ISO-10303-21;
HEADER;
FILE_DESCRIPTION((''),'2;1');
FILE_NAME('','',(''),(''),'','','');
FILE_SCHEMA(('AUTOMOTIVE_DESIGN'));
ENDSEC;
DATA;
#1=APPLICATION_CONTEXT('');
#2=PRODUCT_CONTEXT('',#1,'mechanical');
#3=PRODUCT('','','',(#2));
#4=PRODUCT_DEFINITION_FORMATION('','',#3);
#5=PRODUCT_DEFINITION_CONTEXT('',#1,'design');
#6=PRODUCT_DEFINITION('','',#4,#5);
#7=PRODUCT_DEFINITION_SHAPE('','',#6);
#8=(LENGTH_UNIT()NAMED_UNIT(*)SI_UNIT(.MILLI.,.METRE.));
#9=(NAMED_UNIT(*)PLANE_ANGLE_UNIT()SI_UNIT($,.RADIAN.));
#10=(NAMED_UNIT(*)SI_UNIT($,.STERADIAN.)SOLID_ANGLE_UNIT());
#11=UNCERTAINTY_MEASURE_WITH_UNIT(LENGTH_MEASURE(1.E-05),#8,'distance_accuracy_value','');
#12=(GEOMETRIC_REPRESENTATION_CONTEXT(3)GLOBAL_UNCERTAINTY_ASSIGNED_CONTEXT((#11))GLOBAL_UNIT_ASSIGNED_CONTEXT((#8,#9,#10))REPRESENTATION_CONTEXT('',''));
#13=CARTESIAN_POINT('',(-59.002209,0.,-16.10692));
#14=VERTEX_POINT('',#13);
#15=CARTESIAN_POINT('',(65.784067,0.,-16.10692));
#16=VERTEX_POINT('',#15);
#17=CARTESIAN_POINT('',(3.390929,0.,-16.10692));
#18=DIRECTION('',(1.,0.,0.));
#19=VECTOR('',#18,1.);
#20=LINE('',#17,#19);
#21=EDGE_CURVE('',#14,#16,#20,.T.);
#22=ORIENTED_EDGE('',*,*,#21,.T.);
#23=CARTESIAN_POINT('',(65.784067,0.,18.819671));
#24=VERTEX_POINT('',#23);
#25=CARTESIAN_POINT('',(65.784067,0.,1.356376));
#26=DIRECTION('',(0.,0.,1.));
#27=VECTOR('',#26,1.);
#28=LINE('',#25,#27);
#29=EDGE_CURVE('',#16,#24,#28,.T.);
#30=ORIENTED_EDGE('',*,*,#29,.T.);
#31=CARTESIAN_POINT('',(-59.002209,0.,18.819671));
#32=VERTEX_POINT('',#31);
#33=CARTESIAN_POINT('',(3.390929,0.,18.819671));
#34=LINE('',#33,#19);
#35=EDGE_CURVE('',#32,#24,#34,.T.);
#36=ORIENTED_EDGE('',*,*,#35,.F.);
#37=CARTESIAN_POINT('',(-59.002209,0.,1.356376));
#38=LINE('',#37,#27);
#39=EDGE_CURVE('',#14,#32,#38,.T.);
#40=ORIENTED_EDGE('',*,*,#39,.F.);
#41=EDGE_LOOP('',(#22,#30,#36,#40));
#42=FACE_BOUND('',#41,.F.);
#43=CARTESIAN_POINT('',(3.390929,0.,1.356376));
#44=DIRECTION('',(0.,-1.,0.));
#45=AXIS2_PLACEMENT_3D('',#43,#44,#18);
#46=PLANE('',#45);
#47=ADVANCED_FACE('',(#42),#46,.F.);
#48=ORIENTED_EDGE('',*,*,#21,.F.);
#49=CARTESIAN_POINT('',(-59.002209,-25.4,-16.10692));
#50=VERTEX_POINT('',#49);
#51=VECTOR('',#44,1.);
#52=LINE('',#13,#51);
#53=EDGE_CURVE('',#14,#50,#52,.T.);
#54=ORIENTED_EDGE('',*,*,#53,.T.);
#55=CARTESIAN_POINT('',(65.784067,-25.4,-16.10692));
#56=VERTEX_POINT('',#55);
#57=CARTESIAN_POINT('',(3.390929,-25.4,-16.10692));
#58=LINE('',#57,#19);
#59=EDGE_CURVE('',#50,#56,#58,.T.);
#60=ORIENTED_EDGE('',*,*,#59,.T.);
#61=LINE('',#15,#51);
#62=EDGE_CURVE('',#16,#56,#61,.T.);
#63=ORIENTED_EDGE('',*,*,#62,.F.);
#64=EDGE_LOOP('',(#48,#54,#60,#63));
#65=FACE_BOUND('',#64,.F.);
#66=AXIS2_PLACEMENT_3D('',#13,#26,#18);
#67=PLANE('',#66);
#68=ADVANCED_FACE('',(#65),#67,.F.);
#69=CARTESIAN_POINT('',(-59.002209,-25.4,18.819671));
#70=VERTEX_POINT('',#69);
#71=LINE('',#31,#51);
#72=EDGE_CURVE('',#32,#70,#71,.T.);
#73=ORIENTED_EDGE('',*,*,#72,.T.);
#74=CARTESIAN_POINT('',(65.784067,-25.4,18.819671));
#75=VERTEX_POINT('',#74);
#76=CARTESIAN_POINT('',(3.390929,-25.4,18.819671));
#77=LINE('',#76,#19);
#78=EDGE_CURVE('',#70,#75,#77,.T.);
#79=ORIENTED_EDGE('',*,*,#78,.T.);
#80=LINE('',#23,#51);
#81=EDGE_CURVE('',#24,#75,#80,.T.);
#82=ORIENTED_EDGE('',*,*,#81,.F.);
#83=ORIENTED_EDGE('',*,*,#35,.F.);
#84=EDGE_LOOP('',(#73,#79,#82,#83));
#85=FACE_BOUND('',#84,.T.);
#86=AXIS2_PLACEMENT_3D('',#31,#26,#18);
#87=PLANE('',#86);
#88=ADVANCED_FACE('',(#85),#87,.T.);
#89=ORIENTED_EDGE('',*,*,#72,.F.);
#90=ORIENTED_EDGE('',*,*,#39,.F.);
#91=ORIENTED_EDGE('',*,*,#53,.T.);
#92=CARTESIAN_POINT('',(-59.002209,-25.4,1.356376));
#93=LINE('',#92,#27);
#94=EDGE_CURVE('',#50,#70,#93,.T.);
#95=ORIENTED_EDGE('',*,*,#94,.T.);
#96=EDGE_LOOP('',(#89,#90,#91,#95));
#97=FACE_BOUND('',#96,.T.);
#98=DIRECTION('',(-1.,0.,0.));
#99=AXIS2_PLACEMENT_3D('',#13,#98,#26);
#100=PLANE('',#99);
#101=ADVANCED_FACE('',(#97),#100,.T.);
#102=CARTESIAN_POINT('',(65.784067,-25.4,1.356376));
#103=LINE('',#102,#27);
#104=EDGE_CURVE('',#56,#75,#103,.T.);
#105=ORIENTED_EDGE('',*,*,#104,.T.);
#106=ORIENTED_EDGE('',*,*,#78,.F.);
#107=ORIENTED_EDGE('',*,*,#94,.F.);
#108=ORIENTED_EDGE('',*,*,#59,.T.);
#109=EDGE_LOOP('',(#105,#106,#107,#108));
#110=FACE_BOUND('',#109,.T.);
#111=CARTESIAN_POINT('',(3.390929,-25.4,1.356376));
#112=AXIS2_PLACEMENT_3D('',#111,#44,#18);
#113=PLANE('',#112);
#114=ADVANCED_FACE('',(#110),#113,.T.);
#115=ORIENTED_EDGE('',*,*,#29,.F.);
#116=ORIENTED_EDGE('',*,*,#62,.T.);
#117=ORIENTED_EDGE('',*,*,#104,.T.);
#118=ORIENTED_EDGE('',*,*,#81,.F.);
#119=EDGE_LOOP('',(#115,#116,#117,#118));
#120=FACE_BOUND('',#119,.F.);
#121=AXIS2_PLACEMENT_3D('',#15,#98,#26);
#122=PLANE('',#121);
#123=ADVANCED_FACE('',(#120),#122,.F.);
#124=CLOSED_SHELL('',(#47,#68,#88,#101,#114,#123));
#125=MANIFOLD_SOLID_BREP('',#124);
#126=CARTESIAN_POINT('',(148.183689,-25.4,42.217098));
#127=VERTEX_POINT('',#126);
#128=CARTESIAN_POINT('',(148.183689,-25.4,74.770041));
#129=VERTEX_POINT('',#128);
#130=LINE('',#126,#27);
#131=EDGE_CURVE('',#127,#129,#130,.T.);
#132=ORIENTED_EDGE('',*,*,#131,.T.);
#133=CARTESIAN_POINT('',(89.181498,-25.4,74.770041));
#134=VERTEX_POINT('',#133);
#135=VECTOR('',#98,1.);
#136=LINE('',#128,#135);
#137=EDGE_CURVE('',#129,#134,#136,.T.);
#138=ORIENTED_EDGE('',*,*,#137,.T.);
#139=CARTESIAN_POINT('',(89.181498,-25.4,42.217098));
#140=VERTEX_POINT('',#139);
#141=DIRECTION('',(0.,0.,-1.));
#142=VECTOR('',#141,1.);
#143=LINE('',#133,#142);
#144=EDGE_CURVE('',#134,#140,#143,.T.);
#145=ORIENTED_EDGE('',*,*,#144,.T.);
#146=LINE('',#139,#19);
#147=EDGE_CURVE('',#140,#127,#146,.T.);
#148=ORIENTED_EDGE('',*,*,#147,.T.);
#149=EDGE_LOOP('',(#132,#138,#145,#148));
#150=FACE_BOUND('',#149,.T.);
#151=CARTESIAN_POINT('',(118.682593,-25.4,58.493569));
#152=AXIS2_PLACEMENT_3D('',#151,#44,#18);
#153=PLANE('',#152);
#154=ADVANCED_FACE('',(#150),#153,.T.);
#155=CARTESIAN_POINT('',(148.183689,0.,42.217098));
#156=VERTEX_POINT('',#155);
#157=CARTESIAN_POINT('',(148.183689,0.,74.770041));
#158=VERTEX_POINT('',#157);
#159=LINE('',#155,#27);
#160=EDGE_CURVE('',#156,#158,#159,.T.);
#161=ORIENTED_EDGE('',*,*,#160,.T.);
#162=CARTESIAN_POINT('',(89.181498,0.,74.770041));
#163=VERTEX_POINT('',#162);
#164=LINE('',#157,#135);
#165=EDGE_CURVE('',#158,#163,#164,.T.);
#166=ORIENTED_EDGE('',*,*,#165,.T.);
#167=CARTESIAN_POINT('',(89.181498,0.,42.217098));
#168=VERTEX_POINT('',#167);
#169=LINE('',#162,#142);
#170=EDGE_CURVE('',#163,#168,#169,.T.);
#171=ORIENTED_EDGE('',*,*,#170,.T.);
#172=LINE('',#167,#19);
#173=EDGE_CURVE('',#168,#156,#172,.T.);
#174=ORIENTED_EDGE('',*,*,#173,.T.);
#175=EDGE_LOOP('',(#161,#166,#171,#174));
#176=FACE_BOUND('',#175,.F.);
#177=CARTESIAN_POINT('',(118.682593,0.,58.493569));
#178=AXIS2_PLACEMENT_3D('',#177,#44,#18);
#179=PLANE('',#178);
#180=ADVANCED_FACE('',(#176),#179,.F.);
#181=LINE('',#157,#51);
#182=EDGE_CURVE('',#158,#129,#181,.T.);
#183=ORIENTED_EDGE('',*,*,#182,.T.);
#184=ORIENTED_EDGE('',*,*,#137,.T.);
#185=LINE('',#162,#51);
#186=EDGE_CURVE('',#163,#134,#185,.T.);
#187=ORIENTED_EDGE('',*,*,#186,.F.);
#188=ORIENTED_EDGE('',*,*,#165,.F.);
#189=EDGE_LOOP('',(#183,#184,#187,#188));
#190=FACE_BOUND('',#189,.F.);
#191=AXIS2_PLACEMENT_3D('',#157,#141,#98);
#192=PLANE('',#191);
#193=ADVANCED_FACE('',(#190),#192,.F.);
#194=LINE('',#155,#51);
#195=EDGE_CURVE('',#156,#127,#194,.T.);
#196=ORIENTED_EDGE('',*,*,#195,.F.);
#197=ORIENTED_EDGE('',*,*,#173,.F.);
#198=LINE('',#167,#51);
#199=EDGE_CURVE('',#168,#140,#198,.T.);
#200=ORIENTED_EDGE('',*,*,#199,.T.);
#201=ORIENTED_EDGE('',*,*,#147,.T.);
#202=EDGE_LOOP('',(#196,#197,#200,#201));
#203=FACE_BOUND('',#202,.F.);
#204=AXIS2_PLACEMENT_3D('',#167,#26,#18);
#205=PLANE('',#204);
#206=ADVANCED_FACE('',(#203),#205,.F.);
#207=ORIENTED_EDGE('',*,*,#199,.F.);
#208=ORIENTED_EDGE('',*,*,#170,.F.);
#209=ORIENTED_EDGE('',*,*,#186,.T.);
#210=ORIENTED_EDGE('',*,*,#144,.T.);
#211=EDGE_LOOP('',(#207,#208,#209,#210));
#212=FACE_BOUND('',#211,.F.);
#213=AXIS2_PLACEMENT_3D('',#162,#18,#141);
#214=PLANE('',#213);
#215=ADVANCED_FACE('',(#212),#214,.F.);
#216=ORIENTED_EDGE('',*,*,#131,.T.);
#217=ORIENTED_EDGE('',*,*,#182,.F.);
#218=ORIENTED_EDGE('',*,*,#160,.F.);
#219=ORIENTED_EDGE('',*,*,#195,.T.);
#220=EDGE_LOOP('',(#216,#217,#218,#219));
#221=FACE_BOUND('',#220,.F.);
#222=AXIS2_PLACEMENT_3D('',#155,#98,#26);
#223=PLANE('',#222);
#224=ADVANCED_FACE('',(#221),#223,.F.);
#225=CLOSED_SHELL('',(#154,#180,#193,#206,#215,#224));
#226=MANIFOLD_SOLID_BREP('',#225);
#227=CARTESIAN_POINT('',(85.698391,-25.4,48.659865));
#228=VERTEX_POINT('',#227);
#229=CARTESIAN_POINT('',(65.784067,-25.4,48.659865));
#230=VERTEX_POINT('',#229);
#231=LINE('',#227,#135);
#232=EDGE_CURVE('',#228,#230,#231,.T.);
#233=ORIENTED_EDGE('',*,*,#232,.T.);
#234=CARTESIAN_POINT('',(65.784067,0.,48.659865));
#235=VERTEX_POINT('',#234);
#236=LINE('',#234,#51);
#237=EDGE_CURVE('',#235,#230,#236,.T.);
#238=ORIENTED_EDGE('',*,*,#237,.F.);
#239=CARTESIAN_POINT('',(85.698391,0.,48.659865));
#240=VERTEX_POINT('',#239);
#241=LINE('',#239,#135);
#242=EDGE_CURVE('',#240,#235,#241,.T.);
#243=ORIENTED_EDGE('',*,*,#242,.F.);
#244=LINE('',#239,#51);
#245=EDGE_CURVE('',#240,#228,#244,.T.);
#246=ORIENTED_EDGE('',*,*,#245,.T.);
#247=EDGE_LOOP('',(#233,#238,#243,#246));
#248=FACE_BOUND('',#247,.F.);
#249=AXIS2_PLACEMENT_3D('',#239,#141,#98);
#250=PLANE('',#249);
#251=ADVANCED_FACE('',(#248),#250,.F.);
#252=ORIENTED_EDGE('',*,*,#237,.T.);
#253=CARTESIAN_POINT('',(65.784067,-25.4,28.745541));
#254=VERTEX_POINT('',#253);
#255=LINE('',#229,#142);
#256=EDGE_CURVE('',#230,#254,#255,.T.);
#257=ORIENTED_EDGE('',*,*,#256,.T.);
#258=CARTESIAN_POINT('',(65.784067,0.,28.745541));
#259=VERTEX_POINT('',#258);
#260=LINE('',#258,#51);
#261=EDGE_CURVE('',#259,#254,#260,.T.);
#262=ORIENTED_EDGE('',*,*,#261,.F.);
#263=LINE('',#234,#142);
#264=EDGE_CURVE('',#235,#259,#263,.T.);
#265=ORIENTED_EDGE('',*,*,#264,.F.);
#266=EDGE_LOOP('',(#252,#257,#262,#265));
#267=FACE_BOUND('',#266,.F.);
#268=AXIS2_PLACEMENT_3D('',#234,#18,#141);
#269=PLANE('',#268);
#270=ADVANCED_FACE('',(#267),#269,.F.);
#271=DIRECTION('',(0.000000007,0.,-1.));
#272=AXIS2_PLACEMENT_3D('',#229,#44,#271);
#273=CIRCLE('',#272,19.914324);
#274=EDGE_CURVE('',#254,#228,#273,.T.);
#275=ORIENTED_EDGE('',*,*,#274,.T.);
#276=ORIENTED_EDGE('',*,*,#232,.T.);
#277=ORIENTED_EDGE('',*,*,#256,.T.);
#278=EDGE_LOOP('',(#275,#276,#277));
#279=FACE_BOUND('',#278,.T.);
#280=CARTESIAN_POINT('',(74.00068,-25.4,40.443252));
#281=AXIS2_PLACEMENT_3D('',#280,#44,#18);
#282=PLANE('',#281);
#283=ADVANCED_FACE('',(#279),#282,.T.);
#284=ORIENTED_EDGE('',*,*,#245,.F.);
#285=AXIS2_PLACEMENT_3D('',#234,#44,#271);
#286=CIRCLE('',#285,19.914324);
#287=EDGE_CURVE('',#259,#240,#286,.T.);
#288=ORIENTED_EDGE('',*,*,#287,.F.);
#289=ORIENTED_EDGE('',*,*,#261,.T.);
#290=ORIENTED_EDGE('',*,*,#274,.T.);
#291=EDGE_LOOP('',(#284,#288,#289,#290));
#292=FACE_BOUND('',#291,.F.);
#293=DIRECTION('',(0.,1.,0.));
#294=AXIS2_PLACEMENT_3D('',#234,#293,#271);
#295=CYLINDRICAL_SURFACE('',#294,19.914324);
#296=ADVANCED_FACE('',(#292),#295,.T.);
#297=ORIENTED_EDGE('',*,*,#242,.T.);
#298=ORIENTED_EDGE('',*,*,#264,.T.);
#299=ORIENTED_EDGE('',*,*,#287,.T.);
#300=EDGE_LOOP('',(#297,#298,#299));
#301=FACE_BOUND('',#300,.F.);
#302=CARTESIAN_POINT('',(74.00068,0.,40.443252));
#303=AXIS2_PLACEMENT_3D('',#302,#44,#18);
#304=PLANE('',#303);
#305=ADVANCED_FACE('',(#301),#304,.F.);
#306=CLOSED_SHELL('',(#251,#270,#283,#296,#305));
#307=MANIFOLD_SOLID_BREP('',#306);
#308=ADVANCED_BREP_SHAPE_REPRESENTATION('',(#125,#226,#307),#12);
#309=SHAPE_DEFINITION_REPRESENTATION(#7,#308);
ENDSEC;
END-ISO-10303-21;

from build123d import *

# Parameters (mm, degrees)
F0_W     = 124.786276
F0_H     = 34.926591
F1_DEPTH = 25.4


with BuildPart() as f1:
    # F0 (on Front) → F1 (new body)
    with BuildSketch(Plane.XZ):
        Polygon((89.181498, 74.770041), (89.181498, 48.659865), (89.181498, 42.217098), (148.183689, 42.217098), (148.183689, 74.770041), align=None)
        with BuildLine():
            Line((65.784067, 48.659865), (65.784067, 28.745541))
            ThreePointArc((65.784067, 28.745541), (79.86562, 34.578311), (85.698391, 48.659865))
            Line((85.698391, 48.659865), (65.784067, 48.659865))
        make_face()
        with Locations((3.390929, 1.356376)):
            Rectangle(F0_W, F0_H)
    extrude(amount=F1_DEPTH)


solid = f1.part
